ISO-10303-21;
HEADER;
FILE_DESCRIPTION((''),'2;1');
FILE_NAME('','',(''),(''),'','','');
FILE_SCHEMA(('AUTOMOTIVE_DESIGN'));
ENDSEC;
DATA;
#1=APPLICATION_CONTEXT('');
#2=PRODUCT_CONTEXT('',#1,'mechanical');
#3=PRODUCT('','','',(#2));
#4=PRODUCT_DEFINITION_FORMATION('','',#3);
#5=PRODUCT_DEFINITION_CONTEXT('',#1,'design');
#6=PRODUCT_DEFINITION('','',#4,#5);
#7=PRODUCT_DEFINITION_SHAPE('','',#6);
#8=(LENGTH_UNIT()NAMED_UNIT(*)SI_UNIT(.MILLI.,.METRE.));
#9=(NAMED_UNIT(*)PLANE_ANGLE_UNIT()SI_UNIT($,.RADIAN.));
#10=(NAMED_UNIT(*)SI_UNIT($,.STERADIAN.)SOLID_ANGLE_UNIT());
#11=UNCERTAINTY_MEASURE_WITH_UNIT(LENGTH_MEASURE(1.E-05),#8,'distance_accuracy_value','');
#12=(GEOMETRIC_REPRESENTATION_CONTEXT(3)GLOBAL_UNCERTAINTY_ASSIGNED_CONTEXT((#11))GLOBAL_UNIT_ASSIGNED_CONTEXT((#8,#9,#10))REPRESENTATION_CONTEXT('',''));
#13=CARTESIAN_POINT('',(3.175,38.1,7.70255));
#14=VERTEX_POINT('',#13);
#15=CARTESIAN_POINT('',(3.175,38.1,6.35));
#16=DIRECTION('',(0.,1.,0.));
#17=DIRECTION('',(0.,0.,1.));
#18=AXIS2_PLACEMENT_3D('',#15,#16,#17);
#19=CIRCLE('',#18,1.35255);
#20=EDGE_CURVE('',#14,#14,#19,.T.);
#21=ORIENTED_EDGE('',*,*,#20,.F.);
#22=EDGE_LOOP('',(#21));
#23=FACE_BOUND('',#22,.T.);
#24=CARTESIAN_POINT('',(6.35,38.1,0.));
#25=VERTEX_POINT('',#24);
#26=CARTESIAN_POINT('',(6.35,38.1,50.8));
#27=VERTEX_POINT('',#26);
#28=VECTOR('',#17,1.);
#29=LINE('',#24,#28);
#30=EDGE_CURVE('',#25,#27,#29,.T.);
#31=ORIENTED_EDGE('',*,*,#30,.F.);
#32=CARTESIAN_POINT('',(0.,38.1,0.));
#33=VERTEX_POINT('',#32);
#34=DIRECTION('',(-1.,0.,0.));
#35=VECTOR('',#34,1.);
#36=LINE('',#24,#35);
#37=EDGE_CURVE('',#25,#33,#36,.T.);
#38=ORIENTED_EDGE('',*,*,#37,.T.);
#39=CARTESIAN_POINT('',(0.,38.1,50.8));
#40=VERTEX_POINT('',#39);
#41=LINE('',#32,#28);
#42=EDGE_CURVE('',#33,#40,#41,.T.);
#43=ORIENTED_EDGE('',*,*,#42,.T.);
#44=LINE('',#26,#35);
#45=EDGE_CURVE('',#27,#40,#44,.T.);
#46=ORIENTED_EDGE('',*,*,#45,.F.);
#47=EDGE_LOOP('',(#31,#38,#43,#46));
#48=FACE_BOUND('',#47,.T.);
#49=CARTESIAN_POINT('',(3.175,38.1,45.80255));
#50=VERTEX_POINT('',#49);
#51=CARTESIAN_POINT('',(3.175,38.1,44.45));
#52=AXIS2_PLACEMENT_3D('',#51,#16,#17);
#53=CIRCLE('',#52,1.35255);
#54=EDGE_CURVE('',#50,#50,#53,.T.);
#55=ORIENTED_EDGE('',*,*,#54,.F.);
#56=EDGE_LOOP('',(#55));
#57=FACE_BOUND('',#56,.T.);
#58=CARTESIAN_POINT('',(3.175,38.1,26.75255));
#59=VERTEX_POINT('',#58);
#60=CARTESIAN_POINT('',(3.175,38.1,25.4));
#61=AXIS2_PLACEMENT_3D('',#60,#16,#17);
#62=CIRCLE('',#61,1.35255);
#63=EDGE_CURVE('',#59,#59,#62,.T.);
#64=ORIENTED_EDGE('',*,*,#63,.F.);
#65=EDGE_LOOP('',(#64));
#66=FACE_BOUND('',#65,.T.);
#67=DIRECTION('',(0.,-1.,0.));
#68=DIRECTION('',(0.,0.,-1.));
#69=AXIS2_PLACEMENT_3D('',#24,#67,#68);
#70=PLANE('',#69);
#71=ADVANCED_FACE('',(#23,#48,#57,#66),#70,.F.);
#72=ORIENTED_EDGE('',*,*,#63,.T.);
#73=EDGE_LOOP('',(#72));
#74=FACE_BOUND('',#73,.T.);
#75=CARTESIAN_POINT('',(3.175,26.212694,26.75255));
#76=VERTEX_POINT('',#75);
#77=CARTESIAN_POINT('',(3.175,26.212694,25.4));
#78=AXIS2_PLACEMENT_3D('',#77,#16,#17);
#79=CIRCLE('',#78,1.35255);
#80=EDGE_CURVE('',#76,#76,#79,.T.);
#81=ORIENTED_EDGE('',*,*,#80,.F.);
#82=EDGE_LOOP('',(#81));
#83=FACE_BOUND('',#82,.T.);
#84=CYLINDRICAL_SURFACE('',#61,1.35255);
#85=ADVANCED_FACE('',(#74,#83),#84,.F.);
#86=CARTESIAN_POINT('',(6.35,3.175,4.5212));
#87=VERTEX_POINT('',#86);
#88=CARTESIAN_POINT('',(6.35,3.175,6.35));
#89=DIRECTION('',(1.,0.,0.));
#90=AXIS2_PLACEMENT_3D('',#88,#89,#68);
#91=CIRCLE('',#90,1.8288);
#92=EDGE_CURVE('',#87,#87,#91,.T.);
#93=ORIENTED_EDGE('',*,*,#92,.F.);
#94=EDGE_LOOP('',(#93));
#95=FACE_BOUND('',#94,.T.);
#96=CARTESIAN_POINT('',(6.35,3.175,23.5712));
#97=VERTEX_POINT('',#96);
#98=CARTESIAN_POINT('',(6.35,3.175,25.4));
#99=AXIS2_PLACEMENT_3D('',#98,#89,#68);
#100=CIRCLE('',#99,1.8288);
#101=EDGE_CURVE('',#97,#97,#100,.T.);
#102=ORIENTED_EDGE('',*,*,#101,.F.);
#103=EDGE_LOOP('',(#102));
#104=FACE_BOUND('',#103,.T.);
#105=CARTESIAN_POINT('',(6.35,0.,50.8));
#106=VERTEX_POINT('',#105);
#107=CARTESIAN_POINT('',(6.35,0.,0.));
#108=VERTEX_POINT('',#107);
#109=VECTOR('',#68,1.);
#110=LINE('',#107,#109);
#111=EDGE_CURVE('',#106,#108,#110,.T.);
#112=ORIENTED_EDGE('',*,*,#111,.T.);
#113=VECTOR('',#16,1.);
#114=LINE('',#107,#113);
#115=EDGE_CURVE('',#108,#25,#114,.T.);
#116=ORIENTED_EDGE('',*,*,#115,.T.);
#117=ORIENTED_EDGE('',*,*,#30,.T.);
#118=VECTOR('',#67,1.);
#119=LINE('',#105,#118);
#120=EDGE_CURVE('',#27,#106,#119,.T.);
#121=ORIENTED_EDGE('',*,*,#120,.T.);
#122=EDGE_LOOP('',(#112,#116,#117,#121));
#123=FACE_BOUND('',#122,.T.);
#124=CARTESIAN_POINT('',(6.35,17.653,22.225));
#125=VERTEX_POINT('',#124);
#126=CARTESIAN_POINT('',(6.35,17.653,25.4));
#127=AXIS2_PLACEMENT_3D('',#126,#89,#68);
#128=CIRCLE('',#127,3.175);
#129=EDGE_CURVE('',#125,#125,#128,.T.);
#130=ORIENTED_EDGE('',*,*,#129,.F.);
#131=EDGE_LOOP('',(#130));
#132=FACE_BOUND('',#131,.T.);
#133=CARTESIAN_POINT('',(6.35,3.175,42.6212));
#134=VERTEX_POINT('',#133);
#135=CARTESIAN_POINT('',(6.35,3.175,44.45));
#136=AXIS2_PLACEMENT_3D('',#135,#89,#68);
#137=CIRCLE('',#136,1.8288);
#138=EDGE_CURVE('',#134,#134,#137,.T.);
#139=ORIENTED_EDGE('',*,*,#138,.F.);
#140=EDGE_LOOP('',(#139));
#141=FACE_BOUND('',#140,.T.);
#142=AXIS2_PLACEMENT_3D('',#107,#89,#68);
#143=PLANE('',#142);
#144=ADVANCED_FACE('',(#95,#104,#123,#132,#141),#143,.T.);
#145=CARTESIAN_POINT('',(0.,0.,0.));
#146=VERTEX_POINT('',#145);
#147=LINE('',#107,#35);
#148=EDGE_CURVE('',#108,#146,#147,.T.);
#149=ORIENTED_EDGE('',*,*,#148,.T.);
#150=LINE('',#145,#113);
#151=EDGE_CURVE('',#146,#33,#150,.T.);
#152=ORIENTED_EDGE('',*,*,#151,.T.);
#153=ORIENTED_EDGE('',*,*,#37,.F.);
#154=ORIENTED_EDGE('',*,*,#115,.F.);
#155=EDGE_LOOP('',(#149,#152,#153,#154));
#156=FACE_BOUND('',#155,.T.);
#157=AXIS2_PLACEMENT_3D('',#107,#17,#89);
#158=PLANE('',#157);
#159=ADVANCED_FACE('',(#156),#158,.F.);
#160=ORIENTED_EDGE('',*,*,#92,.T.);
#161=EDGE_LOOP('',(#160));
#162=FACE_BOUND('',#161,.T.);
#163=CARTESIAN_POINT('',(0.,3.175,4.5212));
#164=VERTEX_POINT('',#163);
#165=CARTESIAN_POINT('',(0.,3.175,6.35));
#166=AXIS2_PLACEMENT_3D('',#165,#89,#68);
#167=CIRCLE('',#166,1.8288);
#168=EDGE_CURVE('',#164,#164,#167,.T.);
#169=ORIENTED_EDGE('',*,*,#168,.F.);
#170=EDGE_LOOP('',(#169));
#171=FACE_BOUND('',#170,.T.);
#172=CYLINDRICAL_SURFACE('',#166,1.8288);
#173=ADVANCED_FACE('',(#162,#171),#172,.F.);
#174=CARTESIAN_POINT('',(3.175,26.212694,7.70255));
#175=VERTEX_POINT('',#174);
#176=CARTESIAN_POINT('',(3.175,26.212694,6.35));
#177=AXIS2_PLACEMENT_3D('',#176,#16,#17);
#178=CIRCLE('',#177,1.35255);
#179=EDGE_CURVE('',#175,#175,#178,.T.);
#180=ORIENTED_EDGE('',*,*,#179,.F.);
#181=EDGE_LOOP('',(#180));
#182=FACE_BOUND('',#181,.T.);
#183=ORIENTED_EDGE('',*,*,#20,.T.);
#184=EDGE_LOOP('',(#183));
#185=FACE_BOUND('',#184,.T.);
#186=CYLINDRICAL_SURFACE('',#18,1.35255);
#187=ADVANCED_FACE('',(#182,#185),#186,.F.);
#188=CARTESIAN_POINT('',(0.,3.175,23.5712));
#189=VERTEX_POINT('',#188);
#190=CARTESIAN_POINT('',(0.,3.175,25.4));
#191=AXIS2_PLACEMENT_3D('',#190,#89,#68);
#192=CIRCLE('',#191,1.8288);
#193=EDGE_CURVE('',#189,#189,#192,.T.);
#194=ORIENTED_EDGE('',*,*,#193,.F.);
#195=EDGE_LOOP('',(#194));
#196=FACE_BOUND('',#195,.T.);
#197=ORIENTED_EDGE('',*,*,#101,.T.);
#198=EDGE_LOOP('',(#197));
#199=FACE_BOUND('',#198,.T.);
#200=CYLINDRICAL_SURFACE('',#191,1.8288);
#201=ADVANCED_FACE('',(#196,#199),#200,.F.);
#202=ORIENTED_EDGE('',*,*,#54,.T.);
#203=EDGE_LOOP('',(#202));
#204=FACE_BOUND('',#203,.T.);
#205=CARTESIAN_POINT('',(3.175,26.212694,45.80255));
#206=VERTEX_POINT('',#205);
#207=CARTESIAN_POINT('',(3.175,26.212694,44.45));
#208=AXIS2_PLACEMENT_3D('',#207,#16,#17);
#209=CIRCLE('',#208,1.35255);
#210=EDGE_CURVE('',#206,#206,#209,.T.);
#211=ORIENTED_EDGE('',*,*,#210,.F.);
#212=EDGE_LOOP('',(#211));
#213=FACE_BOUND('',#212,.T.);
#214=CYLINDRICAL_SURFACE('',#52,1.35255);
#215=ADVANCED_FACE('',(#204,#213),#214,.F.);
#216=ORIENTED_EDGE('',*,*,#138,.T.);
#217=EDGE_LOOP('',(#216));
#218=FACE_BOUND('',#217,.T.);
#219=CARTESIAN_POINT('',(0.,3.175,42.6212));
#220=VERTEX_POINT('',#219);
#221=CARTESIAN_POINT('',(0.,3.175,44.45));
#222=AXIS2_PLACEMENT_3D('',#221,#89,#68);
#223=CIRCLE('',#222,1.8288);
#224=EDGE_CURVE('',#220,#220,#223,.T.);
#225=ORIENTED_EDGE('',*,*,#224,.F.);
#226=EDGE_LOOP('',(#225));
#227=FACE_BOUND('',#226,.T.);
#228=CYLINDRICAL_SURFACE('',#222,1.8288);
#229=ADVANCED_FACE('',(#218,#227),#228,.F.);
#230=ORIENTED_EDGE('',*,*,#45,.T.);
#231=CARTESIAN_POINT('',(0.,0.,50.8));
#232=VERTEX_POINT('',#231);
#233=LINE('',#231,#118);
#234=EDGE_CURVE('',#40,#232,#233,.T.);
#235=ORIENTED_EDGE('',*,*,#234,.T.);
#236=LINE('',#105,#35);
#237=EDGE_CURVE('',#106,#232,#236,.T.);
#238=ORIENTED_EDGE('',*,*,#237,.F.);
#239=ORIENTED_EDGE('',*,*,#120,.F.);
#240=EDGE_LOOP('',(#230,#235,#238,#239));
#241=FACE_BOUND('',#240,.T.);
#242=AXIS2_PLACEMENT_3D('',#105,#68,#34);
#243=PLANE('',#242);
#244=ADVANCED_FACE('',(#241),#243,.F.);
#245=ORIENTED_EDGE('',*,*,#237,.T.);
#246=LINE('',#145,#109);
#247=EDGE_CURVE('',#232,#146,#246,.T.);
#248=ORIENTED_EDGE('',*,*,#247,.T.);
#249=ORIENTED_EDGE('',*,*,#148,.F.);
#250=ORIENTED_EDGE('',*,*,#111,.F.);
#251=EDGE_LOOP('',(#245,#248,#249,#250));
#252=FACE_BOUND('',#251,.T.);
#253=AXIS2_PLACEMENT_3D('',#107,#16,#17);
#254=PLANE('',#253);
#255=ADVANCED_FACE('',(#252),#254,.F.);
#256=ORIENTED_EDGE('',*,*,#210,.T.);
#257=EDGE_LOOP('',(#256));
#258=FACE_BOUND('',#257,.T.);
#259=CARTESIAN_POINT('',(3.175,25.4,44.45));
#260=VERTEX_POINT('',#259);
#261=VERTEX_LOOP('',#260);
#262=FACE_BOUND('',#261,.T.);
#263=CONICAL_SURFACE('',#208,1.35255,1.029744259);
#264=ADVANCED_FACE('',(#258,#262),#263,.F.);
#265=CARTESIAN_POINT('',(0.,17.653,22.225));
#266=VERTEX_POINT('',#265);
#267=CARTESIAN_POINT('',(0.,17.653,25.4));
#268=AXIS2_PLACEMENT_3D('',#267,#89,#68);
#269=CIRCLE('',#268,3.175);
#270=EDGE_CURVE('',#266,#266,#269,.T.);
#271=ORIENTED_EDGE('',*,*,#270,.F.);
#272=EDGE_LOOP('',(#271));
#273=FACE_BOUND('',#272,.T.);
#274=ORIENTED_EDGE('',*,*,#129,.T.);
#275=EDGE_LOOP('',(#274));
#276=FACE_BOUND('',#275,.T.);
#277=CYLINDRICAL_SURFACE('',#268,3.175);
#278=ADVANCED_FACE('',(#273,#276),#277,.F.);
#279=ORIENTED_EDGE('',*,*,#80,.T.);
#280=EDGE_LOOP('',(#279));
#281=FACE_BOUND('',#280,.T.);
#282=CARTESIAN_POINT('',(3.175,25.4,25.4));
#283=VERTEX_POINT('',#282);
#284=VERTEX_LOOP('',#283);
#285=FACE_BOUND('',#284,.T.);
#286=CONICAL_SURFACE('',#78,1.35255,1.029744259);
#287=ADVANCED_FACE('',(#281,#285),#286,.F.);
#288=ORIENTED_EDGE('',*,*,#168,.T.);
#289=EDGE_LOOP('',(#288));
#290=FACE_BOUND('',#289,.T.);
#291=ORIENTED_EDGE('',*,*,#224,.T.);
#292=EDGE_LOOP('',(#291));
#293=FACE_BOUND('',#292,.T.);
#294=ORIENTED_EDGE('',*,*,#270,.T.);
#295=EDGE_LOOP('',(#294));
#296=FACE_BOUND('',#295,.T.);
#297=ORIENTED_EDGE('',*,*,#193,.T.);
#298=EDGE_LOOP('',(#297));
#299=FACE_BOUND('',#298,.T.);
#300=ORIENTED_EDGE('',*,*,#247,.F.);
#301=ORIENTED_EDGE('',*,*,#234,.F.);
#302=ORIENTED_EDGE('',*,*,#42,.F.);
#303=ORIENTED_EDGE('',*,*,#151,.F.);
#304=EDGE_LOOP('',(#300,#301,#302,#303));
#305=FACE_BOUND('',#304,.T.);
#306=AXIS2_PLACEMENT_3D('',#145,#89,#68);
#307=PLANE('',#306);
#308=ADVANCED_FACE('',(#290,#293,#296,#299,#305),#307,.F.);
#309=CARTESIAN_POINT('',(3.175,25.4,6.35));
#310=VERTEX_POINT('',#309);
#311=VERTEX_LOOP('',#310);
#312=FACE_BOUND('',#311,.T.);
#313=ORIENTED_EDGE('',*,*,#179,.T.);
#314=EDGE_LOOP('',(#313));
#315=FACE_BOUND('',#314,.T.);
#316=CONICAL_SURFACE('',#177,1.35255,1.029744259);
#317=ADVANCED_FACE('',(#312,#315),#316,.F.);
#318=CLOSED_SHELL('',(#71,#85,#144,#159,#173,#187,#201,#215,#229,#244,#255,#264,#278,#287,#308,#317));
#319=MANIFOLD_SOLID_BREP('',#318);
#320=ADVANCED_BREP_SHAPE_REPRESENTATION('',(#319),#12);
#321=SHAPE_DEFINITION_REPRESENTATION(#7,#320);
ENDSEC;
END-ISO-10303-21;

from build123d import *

# Parameters (mm, degrees)
SKETCH1_W                 = 50.8
SKETCH1_H                 = 38.1
BOSS_EXTRUDE1_DEPTH       = 6.35
SKETCH3_R                 = 1.8288
CUT_EXTRUDE1_DEPTH        = 6.35
F_6_32_TAPPED_HOLE1_D     = 2.7051
F_6_32_TAPPED_HOLE1_DEPTH = 11.88730597
F_6_32_TAPPED_HOLE1_TIP   = 0.81269403
SKETCH12_R                = 3.175
CUT_EXTRUDE3_DEPTH        = 6.35


with BuildPart() as part:
    # Sketch1 → Boss-Extrude1 (new body)
    with BuildSketch(Plane(origin=(0, 0, 0), x_dir=(0, 0, -1), z_dir=(1, 0, 0))):
        with Locations((-25.4, 19.05)):
            Rectangle(SKETCH1_W, SKETCH1_H)
    extrude(amount=BOSS_EXTRUDE1_DEPTH)

    # Sketch3 → Cut-Extrude1 (cut)
    with BuildSketch(Plane(origin=(6.35, 0, 0), x_dir=(0, 0, -1), z_dir=(1, 0, 0))):
        with Locations((-44.45, 3.175)):
            Circle(SKETCH3_R)
        with Locations((-25.4, 3.175)):
            Circle(SKETCH3_R)
        with Locations((-6.35, 3.175)):
            Circle(SKETCH3_R)
    extrude(amount=-CUT_EXTRUDE1_DEPTH, mode=Mode.SUBTRACT)

    # #6-32 Tapped Hole1
    with Locations(Plane(origin=(0, 38.1, 0), x_dir=(1, 0, 0), z_dir=(0, 1, 0))):
        with Locations((3.175, -6.35), (3.175, -25.4), (3.175, -44.45)):
            Hole(F_6_32_TAPPED_HOLE1_D / 2, depth=F_6_32_TAPPED_HOLE1_DEPTH)
            with Locations((0, 0, -(F_6_32_TAPPED_HOLE1_DEPTH + F_6_32_TAPPED_HOLE1_TIP / 2))):  # 118° drill point
                Cone(0, F_6_32_TAPPED_HOLE1_D / 2, F_6_32_TAPPED_HOLE1_TIP, mode=Mode.SUBTRACT)

    # Sketch12 → Cut-Extrude3 (cut)
    with BuildSketch(Plane(origin=(6.35, 0, 0), x_dir=(0, 0, -1), z_dir=(1, 0, 0))):
        with Locations((-25.4, 17.653)):
            Circle(SKETCH12_R)
    extrude(amount=-CUT_EXTRUDE3_DEPTH, mode=Mode.SUBTRACT)


solid = part.part
